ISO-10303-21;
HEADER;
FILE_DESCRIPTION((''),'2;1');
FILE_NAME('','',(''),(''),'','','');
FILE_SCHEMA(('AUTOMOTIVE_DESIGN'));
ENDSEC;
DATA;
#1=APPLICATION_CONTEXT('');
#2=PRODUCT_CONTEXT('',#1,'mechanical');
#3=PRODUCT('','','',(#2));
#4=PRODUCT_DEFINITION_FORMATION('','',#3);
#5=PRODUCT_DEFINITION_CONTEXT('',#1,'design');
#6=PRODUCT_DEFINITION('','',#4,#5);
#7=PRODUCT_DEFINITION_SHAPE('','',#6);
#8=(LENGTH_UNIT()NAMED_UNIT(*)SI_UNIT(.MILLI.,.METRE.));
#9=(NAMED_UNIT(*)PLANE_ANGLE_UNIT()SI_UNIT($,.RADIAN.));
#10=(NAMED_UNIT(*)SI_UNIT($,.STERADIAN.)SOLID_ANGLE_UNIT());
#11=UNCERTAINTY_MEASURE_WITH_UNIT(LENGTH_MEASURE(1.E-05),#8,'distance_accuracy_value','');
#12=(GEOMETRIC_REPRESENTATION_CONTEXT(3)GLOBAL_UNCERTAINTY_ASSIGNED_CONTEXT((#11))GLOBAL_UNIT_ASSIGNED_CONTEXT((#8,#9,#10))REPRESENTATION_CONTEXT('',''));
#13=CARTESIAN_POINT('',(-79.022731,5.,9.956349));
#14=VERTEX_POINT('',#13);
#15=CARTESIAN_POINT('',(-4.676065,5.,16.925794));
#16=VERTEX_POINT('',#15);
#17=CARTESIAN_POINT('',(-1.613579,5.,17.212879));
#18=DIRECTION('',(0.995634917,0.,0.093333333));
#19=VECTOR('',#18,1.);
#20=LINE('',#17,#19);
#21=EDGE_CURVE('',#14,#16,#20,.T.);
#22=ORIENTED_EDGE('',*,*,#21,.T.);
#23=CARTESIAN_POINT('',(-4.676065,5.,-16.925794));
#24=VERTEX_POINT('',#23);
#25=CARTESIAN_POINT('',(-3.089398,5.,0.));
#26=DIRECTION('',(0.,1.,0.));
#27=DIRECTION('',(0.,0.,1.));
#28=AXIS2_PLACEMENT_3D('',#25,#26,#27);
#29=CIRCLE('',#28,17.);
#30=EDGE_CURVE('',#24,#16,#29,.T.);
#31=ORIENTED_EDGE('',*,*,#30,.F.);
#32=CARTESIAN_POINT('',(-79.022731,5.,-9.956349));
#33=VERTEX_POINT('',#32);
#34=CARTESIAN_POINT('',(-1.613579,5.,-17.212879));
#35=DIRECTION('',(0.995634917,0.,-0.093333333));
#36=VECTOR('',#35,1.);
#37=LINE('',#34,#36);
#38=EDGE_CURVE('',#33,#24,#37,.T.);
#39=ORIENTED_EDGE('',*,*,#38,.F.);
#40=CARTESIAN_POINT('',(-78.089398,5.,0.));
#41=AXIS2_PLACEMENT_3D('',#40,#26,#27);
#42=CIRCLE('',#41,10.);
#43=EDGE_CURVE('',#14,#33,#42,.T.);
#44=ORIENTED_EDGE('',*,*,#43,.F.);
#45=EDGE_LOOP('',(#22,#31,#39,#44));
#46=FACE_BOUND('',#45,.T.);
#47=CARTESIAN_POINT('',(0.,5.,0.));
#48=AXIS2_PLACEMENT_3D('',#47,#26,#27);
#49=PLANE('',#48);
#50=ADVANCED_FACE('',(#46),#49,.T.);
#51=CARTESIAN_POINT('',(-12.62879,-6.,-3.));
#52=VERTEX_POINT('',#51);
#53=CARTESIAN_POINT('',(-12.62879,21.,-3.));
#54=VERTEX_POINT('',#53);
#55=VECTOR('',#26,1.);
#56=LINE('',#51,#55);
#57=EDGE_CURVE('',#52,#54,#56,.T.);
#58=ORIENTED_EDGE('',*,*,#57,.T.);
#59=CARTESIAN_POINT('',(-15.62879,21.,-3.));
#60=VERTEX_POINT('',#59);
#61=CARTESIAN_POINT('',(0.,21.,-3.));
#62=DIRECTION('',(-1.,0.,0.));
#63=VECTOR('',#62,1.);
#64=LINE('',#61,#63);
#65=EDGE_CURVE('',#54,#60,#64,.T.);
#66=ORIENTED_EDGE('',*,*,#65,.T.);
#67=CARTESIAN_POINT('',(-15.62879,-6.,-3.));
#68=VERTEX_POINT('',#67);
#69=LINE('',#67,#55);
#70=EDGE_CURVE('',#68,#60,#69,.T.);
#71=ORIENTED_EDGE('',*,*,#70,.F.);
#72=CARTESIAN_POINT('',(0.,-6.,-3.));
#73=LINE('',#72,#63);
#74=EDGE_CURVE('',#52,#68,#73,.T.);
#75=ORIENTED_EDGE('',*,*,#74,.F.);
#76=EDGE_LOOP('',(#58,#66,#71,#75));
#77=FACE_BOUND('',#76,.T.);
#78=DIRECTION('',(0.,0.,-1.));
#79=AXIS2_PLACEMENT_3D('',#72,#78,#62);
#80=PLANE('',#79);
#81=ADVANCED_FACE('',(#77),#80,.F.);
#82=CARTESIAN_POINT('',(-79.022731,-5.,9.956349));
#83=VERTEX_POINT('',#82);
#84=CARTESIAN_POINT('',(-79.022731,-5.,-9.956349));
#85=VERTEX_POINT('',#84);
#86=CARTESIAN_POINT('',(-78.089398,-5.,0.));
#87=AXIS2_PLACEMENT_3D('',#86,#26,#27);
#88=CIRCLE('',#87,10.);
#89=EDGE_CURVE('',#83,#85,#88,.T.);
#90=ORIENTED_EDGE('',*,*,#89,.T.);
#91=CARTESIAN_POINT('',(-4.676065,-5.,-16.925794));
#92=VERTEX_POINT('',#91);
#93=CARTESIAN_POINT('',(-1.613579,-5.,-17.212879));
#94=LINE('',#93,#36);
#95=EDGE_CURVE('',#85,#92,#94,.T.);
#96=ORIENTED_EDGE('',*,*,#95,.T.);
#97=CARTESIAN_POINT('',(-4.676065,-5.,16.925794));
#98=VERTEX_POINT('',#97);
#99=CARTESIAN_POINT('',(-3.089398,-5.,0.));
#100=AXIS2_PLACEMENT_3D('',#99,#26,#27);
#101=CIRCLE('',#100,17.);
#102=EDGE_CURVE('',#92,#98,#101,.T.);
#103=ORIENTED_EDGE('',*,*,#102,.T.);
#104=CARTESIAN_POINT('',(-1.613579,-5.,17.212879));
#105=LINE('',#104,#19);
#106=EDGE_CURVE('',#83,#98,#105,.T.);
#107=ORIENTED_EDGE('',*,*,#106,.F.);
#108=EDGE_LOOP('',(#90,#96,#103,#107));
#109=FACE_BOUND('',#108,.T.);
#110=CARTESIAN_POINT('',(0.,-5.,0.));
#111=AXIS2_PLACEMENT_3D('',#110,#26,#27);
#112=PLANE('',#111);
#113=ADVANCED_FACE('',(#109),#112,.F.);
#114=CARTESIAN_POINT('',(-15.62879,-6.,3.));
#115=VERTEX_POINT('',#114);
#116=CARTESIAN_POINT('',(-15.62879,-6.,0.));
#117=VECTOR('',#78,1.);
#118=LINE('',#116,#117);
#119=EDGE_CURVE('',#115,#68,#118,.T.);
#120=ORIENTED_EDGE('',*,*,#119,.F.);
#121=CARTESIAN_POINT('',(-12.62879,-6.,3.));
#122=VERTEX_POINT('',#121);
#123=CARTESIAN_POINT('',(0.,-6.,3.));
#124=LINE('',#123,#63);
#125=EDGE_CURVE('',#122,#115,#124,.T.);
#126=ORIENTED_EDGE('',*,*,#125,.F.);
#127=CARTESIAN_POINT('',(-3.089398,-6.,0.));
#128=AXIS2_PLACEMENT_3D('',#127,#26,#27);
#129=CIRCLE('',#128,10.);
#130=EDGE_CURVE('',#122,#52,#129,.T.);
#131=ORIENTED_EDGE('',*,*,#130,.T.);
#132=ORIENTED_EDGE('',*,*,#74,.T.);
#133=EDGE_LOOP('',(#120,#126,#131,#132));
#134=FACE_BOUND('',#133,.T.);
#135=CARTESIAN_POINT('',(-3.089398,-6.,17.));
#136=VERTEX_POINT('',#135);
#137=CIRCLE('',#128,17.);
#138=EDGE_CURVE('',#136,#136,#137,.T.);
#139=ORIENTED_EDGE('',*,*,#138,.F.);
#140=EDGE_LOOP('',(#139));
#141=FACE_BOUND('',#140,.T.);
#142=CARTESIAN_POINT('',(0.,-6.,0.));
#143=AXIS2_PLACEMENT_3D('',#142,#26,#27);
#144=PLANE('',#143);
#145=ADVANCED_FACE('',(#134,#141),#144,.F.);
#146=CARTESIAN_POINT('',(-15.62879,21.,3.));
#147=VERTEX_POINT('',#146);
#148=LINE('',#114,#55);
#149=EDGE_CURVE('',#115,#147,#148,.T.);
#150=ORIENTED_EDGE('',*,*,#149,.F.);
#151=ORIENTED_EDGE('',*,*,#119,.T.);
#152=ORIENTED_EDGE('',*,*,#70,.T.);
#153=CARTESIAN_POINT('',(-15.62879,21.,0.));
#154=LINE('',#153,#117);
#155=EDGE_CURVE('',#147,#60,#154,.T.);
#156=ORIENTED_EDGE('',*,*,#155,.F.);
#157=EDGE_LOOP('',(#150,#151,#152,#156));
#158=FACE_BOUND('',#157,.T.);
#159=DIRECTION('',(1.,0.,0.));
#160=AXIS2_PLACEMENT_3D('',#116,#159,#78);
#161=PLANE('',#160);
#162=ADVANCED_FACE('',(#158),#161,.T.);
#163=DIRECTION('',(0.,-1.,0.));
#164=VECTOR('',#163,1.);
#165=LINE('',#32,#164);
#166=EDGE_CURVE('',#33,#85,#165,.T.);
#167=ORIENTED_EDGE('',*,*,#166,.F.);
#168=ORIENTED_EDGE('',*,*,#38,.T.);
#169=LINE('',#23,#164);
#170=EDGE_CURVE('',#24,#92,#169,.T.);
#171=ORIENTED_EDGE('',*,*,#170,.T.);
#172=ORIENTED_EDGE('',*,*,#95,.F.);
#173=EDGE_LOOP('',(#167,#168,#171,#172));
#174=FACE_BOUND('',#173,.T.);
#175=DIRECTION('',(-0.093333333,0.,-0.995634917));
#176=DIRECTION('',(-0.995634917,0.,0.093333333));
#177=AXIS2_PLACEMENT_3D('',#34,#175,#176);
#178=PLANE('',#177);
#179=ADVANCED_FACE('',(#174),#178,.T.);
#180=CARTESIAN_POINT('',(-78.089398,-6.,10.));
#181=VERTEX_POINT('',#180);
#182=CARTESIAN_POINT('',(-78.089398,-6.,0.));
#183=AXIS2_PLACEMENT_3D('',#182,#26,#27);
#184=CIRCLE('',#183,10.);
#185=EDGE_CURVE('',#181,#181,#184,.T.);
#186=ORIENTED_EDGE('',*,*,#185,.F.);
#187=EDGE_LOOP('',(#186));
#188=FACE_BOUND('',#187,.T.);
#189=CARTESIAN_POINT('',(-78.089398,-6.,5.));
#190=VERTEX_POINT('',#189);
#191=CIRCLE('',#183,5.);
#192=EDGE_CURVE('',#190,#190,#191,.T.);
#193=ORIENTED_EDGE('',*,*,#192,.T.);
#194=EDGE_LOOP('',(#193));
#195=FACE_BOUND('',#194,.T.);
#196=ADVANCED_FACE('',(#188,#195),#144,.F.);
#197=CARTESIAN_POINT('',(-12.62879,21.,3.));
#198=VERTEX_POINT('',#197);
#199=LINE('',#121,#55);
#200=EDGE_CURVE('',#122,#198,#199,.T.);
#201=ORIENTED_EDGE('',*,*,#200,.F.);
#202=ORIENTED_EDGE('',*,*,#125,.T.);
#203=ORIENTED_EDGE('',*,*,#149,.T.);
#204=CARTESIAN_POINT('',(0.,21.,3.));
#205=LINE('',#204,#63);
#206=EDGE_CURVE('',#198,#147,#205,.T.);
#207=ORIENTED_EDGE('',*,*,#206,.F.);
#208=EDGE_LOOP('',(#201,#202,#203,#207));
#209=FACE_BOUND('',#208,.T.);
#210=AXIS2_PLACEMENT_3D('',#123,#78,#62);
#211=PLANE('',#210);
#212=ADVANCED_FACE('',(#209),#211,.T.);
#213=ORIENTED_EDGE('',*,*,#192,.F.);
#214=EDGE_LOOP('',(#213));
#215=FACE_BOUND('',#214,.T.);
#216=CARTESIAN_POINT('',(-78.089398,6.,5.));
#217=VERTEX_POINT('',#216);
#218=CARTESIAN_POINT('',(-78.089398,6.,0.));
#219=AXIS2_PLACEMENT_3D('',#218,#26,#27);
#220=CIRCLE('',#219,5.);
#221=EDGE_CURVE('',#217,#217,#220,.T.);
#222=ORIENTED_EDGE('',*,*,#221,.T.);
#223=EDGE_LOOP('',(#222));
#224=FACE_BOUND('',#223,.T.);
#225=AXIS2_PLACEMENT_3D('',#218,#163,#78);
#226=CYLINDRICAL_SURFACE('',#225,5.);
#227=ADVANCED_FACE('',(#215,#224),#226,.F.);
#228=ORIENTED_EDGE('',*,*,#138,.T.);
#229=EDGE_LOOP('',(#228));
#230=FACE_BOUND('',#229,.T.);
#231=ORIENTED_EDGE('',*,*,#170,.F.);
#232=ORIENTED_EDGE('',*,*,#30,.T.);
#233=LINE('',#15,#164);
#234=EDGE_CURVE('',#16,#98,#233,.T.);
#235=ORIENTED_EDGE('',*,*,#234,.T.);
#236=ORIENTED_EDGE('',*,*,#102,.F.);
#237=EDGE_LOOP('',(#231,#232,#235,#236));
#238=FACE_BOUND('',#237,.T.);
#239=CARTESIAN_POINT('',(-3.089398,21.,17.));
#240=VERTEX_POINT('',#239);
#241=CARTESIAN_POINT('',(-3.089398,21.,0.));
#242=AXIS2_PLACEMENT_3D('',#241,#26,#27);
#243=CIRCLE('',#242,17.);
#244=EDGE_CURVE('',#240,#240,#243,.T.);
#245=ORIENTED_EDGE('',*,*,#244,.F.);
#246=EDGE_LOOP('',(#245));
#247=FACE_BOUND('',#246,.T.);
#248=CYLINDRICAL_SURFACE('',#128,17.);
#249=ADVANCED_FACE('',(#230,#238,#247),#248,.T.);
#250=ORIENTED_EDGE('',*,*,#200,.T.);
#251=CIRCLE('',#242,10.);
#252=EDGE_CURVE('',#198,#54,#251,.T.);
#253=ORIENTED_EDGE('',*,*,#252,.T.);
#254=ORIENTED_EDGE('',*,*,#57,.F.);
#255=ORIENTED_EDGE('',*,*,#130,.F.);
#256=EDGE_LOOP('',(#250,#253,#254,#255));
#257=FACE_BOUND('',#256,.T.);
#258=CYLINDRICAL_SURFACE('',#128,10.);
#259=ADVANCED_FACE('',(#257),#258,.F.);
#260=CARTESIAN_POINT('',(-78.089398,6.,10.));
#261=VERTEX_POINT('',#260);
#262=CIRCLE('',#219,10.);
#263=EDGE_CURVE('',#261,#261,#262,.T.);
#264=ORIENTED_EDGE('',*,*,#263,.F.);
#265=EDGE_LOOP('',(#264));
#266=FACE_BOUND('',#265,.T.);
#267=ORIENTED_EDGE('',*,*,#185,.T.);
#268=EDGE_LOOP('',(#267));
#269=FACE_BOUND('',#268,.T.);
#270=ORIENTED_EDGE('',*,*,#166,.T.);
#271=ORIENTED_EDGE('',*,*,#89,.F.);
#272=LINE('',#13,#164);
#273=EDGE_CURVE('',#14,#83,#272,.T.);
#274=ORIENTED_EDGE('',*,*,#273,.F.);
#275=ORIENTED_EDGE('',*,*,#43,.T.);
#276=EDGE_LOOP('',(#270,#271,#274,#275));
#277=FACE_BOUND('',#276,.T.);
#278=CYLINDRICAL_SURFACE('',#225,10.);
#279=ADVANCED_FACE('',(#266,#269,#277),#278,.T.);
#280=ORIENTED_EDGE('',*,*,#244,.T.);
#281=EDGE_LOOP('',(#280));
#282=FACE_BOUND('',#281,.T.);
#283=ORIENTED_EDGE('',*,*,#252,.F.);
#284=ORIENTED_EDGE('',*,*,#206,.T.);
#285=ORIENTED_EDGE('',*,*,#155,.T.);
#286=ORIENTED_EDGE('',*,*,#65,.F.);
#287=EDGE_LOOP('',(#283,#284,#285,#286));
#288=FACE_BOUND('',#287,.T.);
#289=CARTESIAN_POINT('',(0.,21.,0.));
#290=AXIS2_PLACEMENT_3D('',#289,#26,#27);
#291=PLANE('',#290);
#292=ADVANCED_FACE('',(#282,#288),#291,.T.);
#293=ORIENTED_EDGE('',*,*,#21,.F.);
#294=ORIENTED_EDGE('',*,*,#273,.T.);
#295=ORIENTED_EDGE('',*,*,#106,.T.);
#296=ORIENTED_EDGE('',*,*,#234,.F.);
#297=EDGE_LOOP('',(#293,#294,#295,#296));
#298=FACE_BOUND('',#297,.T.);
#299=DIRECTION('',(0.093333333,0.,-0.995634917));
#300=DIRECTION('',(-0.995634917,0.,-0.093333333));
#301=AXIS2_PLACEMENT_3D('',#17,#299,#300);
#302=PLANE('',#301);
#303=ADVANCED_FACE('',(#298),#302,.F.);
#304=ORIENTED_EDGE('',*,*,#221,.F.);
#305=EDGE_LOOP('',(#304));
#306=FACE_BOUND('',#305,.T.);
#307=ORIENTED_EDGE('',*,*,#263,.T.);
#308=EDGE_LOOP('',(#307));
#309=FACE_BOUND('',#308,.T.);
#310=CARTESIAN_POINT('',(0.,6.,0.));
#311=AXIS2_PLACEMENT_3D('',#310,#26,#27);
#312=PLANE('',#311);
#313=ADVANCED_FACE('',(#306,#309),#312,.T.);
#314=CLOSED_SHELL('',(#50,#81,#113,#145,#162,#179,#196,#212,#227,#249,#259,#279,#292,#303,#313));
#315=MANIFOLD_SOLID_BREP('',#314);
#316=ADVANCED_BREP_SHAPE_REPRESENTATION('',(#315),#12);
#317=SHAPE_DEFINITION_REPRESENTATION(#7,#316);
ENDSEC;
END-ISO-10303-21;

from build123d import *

# Parameters (mm, degrees)
SCHIZZO1_R                        = 10
SCHIZZO1_R_2                      = 5
ESTRUSIONE_ESTRUSIONE1_DEPTH      = 6
ESTRUSIONE_ESTRUSIONE2_DEPTH      = 5
ESTRUSIONE_ESTRUSIONE3_DEPTH      = 21
ESTRUSIONE_ESTRUSIONE3_DEPTH_BACK = 6
SCHIZZO1_4_R                      = 17


with BuildPart() as part:
    # Schizzo1 → Estrusione-Estrusione1 (new, symmetric)
    with BuildSketch(Plane(origin=(0, 0, 0), x_dir=(1, 0, 0), z_dir=(0, 1, 0))):
        with Locations((-78.089397902, 0)):
            Circle(SCHIZZO1_R)
        with Locations((-78.089397902, 0)):
            Circle(SCHIZZO1_R_2, mode=Mode.SUBTRACT)
    extrude(amount=ESTRUSIONE_ESTRUSIONE1_DEPTH, both=True)

    # Schizzo1<3> → Estrusione-Estrusione2 (add, symmetric)
    with BuildSketch(Plane(origin=(0, 0, 0), x_dir=(1, 0, 0), z_dir=(0, 1, 0))):
        with BuildLine():
            ThreePointArc((-79.022731235, 9.956349175), (-68.089397902, 0), (-79.022731235, -9.956349175))
            Line((-79.022731235, -9.956349175), (-4.676064568, -16.925793597))
            ThreePointArc((-4.676064568, -16.925793597), (-20.089397902, 0), (-4.676064568, 16.925793597))
            Line((-4.676064568, 16.925793597), (-79.022731235, 9.956349175))
        make_face()
    extrude(amount=ESTRUSIONE_ESTRUSIONE2_DEPTH, both=True)

    # Schizzo1<4> → Estrusione-Estrusione3 (add, two sides: drawn at the far end of the back side and taken through both)
    with BuildSketch(Plane(origin=(0, 0, 0), x_dir=(1, 0, 0), z_dir=(0, 1, 0)).offset(-ESTRUSIONE_ESTRUSIONE3_DEPTH_BACK)):
        with Locations((-3.089397902, 0)):
            Circle(SCHIZZO1_4_R)
        with BuildLine():
            ThreePointArc((-12.628789916, 3), (6.910602098, 0), (-12.628789916, -3))
            Line((-12.628789916, -3), (-15.628789916, -3))
            Line((-15.628789916, -3), (-15.628789916, 3))
            Line((-15.628789916, 3), (-12.628789916, 3))
        make_face(mode=Mode.SUBTRACT)
    extrude(amount=ESTRUSIONE_ESTRUSIONE3_DEPTH + ESTRUSIONE_ESTRUSIONE3_DEPTH_BACK)


solid = part.part
